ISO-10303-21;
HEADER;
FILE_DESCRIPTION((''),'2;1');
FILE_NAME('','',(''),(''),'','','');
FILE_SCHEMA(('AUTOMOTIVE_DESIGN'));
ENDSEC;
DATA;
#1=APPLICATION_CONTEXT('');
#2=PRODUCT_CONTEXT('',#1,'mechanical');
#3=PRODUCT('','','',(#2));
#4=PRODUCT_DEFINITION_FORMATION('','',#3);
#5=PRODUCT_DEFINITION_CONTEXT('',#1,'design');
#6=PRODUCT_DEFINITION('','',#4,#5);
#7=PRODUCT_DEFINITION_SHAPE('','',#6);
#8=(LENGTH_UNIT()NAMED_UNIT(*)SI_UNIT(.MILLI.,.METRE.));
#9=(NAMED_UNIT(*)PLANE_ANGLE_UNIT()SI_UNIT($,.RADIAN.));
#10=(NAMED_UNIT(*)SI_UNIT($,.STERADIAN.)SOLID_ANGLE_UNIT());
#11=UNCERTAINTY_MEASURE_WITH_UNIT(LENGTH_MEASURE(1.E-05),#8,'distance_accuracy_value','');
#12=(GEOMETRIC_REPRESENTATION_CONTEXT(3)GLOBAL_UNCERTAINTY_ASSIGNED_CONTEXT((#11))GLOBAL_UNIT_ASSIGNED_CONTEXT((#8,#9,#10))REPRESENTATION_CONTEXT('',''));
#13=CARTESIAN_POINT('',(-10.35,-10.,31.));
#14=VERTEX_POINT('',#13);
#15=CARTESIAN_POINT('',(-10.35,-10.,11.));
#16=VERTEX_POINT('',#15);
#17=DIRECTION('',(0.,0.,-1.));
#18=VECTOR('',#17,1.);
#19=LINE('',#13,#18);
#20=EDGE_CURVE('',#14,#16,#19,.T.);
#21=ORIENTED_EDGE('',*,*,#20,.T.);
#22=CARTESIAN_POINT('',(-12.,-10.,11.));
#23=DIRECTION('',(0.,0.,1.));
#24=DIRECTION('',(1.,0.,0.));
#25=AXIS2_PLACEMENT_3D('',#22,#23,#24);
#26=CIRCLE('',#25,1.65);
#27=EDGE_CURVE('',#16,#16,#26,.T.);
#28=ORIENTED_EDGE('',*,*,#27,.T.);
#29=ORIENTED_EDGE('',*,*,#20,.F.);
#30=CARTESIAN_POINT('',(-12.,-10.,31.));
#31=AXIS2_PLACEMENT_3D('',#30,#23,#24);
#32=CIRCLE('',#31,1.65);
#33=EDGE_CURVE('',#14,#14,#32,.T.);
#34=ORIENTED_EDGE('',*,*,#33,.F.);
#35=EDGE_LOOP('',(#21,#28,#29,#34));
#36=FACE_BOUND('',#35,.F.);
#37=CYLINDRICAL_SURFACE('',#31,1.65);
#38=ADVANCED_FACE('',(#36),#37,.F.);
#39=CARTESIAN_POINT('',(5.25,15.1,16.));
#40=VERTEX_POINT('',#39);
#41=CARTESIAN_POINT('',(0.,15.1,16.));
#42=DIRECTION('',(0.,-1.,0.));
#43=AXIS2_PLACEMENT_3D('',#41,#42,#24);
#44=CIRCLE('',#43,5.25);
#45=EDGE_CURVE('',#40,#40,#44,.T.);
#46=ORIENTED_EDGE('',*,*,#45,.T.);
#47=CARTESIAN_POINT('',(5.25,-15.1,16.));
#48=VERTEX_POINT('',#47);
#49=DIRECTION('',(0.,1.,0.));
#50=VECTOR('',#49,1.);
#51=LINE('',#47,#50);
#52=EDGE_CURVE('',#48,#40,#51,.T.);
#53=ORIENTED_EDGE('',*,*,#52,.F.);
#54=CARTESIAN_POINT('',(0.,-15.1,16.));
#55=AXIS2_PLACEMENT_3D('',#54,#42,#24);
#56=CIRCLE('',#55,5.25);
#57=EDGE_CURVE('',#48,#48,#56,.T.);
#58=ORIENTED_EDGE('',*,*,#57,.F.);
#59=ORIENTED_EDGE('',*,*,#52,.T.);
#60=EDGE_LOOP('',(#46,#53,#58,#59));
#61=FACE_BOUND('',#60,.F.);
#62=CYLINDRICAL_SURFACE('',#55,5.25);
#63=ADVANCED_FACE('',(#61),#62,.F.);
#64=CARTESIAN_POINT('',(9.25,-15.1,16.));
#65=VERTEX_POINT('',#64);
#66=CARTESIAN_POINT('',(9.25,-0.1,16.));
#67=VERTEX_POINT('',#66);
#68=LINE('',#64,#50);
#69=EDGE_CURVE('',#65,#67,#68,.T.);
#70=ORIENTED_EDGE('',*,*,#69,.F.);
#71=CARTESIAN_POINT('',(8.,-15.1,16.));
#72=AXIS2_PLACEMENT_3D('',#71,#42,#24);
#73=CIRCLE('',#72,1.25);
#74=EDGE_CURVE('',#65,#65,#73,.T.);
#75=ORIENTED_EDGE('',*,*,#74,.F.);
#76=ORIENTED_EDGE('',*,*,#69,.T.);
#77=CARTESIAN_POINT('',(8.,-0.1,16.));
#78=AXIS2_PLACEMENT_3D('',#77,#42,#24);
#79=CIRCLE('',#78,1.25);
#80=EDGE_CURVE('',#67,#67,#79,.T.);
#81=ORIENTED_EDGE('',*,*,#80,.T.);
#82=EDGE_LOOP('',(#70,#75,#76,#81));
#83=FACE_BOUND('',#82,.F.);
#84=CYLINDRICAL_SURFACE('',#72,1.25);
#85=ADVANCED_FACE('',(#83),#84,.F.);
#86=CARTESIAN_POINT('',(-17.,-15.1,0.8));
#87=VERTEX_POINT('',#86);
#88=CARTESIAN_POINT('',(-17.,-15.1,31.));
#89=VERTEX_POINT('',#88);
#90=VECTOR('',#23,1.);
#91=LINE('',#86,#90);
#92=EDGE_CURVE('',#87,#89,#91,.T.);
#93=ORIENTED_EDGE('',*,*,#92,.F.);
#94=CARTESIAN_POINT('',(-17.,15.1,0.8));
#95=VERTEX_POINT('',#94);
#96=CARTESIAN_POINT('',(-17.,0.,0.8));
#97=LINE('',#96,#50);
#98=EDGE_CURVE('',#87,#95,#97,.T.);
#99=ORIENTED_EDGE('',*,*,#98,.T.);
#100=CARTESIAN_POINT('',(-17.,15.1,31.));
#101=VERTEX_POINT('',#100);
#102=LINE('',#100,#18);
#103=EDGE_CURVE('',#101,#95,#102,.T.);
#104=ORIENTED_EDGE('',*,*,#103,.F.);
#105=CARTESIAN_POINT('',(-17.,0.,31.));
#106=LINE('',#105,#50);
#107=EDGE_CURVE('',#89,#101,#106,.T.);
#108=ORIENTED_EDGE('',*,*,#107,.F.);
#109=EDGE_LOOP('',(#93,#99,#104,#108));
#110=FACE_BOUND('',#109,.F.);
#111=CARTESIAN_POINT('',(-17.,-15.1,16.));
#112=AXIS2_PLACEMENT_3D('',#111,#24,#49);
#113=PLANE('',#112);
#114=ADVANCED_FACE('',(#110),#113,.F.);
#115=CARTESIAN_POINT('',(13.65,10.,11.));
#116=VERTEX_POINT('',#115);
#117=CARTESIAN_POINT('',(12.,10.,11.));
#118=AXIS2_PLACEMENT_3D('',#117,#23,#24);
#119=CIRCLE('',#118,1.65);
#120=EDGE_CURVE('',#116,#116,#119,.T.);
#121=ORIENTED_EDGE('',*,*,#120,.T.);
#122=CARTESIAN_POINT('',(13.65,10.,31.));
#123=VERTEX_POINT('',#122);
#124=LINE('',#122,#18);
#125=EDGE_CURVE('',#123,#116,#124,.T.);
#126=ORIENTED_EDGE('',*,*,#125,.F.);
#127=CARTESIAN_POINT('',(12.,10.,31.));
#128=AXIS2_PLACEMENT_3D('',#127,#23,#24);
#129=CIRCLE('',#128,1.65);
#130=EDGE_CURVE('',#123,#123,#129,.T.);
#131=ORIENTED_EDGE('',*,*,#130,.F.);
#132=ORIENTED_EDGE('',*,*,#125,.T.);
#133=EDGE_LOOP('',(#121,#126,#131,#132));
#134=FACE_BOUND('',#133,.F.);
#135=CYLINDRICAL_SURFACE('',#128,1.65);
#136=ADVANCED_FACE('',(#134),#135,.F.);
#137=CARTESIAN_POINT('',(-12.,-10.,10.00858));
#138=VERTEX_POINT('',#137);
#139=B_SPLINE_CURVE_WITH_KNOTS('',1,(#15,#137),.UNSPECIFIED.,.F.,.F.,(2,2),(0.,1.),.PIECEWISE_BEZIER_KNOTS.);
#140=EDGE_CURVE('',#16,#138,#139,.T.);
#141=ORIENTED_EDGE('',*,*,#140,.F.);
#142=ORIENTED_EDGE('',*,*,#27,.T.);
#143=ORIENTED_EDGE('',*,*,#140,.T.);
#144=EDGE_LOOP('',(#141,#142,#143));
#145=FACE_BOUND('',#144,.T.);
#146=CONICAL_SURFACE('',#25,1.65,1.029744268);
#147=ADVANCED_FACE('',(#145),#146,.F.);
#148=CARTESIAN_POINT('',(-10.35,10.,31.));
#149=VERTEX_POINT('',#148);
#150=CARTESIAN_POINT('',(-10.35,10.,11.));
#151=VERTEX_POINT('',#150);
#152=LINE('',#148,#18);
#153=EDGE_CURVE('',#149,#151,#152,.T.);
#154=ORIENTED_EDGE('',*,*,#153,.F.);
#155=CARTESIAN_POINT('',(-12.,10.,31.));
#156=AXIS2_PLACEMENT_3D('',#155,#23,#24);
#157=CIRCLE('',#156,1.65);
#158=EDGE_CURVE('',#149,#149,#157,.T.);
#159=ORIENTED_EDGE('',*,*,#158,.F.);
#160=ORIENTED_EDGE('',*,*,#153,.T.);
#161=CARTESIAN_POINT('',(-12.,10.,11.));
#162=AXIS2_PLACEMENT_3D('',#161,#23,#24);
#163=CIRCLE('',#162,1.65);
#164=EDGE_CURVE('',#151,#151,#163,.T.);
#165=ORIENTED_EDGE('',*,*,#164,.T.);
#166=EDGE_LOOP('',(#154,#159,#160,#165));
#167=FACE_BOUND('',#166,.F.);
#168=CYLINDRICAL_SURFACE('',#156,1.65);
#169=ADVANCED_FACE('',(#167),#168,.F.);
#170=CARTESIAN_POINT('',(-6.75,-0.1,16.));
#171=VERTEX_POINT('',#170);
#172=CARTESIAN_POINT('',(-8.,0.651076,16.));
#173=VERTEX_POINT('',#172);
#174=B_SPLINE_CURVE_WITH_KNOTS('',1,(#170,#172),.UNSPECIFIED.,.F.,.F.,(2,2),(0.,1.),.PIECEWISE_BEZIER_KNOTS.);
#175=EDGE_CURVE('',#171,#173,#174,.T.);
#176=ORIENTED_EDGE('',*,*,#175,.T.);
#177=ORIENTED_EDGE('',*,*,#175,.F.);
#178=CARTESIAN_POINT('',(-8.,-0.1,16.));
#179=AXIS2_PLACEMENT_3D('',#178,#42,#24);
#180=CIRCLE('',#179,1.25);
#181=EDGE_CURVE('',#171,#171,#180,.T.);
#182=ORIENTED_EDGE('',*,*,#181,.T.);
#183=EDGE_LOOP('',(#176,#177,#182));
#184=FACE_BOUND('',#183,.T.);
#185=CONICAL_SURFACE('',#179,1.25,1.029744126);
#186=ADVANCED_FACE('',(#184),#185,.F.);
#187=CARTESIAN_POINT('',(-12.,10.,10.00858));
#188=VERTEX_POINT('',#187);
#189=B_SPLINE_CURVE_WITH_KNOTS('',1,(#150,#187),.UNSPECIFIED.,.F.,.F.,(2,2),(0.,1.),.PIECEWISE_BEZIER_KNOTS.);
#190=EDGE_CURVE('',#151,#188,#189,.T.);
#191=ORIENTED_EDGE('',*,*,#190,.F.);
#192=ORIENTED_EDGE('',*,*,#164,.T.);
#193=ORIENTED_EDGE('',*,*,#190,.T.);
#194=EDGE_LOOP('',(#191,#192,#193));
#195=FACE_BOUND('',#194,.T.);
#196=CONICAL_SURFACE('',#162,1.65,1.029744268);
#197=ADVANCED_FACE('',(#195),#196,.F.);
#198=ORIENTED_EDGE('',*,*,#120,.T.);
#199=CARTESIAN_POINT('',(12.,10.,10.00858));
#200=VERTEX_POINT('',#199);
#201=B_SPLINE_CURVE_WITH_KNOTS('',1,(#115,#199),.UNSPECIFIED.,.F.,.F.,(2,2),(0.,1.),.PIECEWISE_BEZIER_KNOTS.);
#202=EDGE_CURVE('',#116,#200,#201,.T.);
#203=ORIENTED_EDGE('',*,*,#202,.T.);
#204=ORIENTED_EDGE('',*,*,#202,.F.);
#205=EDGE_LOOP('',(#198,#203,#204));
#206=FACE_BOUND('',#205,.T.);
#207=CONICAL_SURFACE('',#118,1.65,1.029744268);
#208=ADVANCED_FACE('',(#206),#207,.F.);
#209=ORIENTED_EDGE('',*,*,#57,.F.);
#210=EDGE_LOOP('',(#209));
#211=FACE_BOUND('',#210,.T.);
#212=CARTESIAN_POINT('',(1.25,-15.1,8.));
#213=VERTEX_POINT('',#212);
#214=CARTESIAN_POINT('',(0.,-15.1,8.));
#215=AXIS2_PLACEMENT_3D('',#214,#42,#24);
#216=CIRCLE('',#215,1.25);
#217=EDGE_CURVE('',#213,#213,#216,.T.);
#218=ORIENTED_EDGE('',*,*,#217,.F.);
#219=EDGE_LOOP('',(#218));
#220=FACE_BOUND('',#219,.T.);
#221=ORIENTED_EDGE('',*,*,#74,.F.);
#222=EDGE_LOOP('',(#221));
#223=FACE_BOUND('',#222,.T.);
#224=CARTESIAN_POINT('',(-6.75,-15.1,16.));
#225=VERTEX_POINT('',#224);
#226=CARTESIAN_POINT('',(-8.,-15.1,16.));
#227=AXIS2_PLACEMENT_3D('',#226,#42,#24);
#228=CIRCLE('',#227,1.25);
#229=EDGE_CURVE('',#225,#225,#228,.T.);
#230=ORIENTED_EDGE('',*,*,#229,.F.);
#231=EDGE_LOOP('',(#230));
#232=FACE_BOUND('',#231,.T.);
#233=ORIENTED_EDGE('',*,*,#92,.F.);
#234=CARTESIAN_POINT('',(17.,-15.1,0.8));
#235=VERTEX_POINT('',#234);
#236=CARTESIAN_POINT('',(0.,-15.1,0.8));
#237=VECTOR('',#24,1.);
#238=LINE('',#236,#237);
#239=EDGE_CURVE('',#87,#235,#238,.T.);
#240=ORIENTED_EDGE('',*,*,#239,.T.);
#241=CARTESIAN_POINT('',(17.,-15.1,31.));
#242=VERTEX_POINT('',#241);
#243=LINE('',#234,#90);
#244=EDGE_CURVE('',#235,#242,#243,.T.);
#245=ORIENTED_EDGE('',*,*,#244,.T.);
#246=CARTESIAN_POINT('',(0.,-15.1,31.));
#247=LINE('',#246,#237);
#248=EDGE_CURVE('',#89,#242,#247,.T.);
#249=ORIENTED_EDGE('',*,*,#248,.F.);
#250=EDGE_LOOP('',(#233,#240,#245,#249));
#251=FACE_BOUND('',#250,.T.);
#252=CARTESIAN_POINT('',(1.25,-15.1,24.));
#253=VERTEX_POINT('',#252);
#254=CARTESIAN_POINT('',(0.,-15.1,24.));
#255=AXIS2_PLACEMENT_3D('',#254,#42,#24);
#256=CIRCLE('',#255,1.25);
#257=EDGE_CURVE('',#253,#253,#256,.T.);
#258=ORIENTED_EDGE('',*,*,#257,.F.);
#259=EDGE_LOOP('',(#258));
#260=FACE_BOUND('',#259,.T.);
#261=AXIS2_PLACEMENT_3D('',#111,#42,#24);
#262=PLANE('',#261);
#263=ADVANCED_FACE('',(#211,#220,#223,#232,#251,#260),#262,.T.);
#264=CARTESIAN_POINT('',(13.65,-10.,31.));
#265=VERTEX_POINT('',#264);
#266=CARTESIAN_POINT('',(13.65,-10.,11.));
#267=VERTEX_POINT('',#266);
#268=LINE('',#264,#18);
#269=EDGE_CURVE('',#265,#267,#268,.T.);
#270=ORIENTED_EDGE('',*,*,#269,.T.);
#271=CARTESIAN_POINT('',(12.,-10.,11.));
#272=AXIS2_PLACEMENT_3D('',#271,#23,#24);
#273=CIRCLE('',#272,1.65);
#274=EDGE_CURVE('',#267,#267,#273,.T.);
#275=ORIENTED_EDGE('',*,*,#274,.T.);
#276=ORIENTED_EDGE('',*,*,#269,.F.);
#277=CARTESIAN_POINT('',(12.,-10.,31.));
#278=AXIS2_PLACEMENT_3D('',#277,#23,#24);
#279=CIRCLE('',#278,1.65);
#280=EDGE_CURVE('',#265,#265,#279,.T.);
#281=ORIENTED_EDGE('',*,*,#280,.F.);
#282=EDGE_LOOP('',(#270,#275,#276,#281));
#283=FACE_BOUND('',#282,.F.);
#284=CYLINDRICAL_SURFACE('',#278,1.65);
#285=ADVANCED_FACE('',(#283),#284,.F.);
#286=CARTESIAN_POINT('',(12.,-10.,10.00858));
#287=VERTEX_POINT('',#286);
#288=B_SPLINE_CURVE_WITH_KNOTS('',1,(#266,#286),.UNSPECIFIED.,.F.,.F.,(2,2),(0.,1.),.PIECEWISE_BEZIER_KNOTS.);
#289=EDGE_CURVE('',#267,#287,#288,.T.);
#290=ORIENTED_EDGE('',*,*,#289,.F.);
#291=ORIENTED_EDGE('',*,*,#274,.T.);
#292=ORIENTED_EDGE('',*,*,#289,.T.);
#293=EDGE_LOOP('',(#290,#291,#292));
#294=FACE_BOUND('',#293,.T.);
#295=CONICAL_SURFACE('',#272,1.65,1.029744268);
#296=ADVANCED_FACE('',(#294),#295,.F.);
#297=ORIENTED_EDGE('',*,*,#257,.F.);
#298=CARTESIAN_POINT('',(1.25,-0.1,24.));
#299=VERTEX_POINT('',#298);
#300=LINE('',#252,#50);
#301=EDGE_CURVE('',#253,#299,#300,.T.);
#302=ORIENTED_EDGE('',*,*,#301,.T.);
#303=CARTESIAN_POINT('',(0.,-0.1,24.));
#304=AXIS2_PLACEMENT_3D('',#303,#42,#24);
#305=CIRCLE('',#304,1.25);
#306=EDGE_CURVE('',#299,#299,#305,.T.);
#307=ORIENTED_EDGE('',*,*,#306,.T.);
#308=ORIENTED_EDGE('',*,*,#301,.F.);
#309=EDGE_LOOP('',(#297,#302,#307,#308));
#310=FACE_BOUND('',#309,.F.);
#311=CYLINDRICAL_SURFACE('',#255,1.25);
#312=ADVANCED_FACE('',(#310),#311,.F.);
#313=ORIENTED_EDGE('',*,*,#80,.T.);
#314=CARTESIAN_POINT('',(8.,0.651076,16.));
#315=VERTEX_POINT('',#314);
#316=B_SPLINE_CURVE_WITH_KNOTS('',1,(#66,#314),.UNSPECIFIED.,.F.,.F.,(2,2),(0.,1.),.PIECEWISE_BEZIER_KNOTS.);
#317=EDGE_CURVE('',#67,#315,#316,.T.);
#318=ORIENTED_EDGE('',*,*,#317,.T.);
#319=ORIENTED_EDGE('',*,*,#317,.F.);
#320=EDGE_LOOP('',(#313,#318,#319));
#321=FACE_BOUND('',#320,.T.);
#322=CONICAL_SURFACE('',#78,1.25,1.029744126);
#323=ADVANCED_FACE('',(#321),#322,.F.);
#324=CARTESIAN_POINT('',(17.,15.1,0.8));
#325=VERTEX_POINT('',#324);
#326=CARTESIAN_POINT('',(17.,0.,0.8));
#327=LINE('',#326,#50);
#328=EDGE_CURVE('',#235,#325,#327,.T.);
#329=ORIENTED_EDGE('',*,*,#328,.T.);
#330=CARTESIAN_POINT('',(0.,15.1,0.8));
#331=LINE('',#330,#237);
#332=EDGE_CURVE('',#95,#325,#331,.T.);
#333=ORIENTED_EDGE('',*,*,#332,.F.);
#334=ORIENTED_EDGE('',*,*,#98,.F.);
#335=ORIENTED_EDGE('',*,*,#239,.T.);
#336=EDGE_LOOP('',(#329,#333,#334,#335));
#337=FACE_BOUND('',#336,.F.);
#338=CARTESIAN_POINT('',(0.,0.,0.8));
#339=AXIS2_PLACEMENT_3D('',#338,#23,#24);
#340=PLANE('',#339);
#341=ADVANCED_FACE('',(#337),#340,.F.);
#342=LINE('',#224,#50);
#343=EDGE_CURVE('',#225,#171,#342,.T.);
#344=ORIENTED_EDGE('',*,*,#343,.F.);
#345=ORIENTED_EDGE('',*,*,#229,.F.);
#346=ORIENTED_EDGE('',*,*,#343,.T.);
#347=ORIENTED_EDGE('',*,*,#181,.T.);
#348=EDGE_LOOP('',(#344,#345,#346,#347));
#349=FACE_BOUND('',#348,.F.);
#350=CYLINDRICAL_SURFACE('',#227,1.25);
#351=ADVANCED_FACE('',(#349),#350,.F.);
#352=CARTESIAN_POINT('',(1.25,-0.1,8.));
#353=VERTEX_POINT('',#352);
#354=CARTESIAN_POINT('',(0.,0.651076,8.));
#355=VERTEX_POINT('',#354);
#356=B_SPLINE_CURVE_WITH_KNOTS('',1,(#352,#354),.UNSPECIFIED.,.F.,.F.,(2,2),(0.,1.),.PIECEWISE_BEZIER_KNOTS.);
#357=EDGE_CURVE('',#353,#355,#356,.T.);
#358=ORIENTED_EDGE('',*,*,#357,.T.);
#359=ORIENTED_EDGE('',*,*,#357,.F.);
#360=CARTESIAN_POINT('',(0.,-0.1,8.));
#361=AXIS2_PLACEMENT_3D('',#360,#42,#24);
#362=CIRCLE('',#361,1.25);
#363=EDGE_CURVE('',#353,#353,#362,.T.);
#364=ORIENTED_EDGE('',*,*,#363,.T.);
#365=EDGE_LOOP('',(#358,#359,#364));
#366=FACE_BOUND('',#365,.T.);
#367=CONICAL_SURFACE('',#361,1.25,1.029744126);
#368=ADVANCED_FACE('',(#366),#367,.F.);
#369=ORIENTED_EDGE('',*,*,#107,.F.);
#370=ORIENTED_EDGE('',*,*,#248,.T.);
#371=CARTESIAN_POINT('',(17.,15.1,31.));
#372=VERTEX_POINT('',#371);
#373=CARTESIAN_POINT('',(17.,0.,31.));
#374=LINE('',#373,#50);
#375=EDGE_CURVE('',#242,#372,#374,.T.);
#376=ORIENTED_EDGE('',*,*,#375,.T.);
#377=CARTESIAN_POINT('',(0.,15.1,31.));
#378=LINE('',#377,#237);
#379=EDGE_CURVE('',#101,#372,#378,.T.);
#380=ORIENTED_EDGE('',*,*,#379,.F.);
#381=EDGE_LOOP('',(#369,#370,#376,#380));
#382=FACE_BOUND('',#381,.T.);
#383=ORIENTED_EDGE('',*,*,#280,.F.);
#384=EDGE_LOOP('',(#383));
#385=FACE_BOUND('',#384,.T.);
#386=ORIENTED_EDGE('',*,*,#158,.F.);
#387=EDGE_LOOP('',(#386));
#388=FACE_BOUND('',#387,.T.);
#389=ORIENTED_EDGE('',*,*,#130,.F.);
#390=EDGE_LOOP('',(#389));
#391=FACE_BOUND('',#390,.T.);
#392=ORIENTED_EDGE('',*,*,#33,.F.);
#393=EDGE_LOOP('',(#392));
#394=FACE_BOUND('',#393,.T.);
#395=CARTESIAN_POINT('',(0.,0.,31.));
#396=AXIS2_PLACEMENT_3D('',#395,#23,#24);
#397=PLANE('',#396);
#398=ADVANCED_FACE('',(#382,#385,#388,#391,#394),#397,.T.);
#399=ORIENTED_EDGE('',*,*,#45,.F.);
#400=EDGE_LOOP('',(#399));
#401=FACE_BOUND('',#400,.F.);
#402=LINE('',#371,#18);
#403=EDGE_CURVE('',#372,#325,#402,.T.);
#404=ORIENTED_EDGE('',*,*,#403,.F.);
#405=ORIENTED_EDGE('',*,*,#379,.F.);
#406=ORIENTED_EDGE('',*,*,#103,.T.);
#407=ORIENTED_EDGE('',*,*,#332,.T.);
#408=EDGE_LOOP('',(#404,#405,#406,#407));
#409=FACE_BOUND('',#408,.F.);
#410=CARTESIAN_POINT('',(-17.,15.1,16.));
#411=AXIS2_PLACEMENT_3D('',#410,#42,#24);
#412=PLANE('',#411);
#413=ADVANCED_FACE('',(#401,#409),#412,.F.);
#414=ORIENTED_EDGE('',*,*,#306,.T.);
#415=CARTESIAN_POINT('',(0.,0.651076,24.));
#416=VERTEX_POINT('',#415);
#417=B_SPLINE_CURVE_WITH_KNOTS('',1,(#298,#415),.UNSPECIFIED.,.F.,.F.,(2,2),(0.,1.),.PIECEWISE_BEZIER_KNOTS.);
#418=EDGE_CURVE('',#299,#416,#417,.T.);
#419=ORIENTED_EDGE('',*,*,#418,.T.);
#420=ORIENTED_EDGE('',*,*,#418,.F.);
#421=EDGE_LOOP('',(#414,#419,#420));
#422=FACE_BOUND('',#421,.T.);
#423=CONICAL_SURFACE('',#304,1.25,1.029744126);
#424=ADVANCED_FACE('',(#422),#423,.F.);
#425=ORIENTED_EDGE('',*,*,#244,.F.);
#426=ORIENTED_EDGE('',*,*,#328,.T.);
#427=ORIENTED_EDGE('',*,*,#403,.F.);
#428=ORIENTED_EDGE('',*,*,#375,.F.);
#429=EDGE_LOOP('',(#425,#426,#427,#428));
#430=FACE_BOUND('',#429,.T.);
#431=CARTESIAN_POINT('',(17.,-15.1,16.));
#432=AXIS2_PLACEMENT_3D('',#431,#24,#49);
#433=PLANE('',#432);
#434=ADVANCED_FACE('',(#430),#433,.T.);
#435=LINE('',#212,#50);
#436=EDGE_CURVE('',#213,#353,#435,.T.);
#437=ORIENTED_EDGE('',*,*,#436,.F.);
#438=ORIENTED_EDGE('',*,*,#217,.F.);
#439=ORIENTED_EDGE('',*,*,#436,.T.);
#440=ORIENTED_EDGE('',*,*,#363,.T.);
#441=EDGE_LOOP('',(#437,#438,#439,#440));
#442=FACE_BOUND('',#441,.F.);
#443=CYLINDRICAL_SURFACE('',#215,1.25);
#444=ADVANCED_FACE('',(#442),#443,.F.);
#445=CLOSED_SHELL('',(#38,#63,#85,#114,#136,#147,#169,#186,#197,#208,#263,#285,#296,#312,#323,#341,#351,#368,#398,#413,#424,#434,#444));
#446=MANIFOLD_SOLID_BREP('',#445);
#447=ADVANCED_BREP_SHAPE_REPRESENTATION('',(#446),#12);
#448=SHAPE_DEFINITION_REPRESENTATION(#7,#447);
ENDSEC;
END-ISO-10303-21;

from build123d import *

# Parameters (mm, degrees)
SKETCH495_W       = 34
SKETCH495_H       = 30.2
PAD219_DEPTH      = 15
PAD219_DEPTH_BACK = 15.2
SKETCH726_R       = 1.65
HOLE001_DEPTH     = 20
HOLE001_TIPS_R    = 1.65
SKETCH727_R       = 5.25
POCKET255_DEPTH   = 30.2
SKETCH728_R       = 1.25
HOLE002_DEPTH     = 15
HOLE002_TIPS_R    = 1.25


with BuildPart() as part:
    # Sketch495 → Pad219 (new body, two sides)
    with BuildSketch(Plane.XY) as pad219_sk:
        Rectangle(SKETCH495_W, SKETCH495_H)
    extrude(amount=PAD219_DEPTH)
    extrude(pad219_sk.sketch, amount=-PAD219_DEPTH_BACK)

    # Sketch726 (on Face6 of Pad219) → Hole001 (cut)
    with BuildSketch(Plane.XY.offset(15)):
        with Locations((-12, 10)):
            Circle(SKETCH726_R)
        with Locations((12, 10)):
            Circle(SKETCH726_R)
        with Locations((12, -10)):
            Circle(SKETCH726_R)
        with Locations((-12, -10)):
            Circle(SKETCH726_R)
    extrude(amount=-HOLE001_DEPTH, mode=Mode.SUBTRACT)

    # Hole001 tips → Hole001 tip 1 section 0
    with BuildSketch(Plane.XY.offset(-5), mode=Mode.PRIVATE) as hole001_tip_1_s0:
        with Locations((-12, 10)):
            Circle(HOLE001_TIPS_R)
    loft([hole001_tip_1_s0.sketch, Vertex(-12, 10, -5.99142)], mode=Mode.SUBTRACT)

    # Hole001 tips → Hole001 tip 2 section 0
    with BuildSketch(Plane.XY.offset(-5), mode=Mode.PRIVATE) as hole001_tip_2_s0:
        with Locations((12, 10)):
            Circle(HOLE001_TIPS_R)
    loft([hole001_tip_2_s0.sketch, Vertex(12, 10, -5.99142)], mode=Mode.SUBTRACT)

    # Hole001 tips → Hole001 tip 3 section 0
    with BuildSketch(Plane.XY.offset(-5), mode=Mode.PRIVATE) as hole001_tip_3_s0:
        with Locations((12, -10)):
            Circle(HOLE001_TIPS_R)
    loft([hole001_tip_3_s0.sketch, Vertex(12, -10, -5.99142)], mode=Mode.SUBTRACT)

    # Hole001 tips → Hole001 tip 4 section 0
    with BuildSketch(Plane.XY.offset(-5), mode=Mode.PRIVATE) as hole001_tip_4_s0:
        with Locations((-12, -10)):
            Circle(HOLE001_TIPS_R)
    loft([hole001_tip_4_s0.sketch, Vertex(-12, -10, -5.99142)], mode=Mode.SUBTRACT)

    # Sketch727 (on Face3 of Hole001) → Pocket255 (cut)
    with BuildSketch(Plane.XZ.offset(15.1)):
        Circle(SKETCH727_R)
    extrude(amount=-POCKET255_DEPTH, mode=Mode.SUBTRACT)

    # Sketch728 (on Face3 of Pocket255) → Hole002 (cut)
    with BuildSketch(Plane.XZ.offset(15.1)):
        with Locations((0, 8)):
            Circle(SKETCH728_R)
        with Locations((8, 0)):
            Circle(SKETCH728_R)
        with Locations((0, -8)):
            Circle(SKETCH728_R)
        with Locations((-8, 0)):
            Circle(SKETCH728_R)
    extrude(amount=-HOLE002_DEPTH, mode=Mode.SUBTRACT)

    # Hole002 tips → Hole002 tip 1 section 0
    with BuildSketch(Plane.XZ.offset(0.1), mode=Mode.PRIVATE) as hole002_tip_1_s0:
        with Locations((0, 8)):
            Circle(HOLE002_TIPS_R)
    loft([hole002_tip_1_s0.sketch, Vertex(0, 0.651076, 8)], mode=Mode.SUBTRACT)

    # Hole002 tips → Hole002 tip 2 section 0
    with BuildSketch(Plane.XZ.offset(0.1), mode=Mode.PRIVATE) as hole002_tip_2_s0:
        with Locations((8, 0)):
            Circle(HOLE002_TIPS_R)
    loft([hole002_tip_2_s0.sketch, Vertex(8, 0.651076, 0)], mode=Mode.SUBTRACT)

    # Hole002 tips → Hole002 tip 3 section 0
    with BuildSketch(Plane.XZ.offset(0.1), mode=Mode.PRIVATE) as hole002_tip_3_s0:
        with Locations((0, -8)):
            Circle(HOLE002_TIPS_R)
    loft([hole002_tip_3_s0.sketch, Vertex(0, 0.651076, -8)], mode=Mode.SUBTRACT)

    # Hole002 tips → Hole002 tip 4 section 0
    with BuildSketch(Plane.XZ.offset(0.1), mode=Mode.PRIVATE) as hole002_tip_4_s0:
        with Locations((-8, 0)):
            Circle(HOLE002_TIPS_R)
    loft([hole002_tip_4_s0.sketch, Vertex(-8, 0.651076, 0)], mode=Mode.SUBTRACT)


with BuildPart() as part_1:
    # Body150 placement: moved
    add(part.part.moved(Location((0, 0, 16))))


solid = part_1.part
